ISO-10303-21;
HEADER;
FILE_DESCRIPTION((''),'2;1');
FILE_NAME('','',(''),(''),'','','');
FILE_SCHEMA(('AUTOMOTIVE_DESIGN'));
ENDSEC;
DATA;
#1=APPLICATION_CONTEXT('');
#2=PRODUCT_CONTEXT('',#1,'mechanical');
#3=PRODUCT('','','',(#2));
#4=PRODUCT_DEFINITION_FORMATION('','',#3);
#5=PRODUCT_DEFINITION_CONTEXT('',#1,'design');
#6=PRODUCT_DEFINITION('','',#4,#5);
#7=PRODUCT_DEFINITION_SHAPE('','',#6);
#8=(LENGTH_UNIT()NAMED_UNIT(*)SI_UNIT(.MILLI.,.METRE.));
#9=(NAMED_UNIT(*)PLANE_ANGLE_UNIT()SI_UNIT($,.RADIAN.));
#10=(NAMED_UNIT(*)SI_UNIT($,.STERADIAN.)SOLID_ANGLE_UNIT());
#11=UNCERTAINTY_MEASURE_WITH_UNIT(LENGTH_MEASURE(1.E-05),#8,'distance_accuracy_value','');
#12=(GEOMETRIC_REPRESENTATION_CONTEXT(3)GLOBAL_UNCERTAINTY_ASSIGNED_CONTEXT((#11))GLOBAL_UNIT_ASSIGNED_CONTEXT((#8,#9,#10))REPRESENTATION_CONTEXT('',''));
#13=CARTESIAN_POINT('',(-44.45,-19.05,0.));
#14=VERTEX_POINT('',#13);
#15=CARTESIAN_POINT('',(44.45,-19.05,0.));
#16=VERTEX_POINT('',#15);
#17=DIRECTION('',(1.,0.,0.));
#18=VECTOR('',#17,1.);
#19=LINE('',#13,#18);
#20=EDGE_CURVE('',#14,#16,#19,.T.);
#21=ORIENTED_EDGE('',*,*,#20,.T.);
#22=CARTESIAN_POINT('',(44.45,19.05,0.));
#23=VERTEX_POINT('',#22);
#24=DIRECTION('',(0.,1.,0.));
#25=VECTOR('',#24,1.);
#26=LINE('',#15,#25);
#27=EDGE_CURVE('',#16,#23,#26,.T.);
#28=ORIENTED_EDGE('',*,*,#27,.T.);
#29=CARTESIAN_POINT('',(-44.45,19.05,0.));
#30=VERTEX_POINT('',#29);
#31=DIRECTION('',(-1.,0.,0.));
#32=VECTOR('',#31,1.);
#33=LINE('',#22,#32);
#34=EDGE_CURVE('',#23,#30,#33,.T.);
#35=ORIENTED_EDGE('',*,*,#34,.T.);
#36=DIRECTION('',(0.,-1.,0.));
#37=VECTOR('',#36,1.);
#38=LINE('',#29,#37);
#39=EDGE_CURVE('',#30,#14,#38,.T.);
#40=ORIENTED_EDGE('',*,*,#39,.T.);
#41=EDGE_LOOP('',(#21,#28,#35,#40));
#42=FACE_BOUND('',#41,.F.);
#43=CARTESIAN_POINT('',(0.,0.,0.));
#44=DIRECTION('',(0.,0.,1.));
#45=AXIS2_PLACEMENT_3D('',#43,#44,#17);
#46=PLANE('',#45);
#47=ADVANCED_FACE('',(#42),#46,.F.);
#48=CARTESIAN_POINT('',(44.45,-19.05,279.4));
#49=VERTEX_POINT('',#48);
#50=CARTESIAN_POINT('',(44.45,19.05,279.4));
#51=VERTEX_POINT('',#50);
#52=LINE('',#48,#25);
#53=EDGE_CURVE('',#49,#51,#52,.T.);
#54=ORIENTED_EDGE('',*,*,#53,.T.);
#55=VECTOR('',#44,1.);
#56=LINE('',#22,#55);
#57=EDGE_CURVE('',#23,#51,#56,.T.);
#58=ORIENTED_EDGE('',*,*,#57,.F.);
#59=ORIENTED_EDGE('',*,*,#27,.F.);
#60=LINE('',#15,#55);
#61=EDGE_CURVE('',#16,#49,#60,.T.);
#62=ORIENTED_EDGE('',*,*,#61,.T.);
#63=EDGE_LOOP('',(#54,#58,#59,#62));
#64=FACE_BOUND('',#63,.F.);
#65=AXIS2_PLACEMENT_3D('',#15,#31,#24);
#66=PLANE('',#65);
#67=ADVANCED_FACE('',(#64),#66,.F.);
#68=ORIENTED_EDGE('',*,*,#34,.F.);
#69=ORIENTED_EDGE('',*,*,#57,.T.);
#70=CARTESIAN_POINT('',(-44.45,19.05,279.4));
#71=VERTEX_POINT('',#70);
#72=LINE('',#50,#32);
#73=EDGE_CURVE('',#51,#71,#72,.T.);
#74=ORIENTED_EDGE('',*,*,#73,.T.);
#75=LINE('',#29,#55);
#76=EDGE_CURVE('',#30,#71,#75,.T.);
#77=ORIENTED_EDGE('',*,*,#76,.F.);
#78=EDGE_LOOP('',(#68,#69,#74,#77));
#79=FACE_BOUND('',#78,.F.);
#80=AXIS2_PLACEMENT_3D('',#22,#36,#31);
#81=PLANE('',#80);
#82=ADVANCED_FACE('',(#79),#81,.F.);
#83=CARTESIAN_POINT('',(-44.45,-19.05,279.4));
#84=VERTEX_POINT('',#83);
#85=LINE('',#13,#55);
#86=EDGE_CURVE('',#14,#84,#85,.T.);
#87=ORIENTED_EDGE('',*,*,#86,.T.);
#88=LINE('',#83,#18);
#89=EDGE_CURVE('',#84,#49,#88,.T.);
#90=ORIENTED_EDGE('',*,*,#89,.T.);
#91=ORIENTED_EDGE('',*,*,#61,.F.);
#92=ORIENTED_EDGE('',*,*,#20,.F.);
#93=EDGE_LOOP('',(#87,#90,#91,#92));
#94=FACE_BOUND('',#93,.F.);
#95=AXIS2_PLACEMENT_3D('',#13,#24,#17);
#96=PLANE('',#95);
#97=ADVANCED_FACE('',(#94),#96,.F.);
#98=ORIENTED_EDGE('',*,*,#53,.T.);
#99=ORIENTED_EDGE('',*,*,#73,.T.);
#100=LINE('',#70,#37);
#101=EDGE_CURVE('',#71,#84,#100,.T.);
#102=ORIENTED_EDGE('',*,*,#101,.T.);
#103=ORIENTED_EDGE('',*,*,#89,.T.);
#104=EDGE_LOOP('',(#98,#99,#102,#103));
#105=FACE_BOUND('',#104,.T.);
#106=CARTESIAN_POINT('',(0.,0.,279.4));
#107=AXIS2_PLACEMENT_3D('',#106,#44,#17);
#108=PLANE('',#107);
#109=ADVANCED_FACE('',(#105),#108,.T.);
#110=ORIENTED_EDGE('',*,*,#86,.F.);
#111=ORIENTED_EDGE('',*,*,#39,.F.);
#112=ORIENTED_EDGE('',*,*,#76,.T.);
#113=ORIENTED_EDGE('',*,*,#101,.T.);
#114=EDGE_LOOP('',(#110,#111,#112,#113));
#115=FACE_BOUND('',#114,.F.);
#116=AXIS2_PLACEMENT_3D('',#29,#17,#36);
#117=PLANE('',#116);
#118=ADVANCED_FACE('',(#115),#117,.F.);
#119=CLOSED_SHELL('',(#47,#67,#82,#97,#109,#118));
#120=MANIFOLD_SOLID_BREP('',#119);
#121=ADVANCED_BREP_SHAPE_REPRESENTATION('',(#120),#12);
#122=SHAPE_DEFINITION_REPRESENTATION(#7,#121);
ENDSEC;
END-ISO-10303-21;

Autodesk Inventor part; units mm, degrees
ref_plane "YZ Plane" through (0, 0, 0) normal (1, 0, 0) x (0, 1, 0)
ref_plane "XZ Plane" through (0, 0, 0) normal (0, 1, 0) x (-1, 0, 0)
ref_plane "XY Plane" through (0, 0, 0) normal (0, 0, 1) x (1, 0, 0)
sketch "Sketch1" plane through (0, 0, 0) normal (0, 0, 1) x (1, 0, 0)
  line L0 (-44.45, -19.05) -> (44.45, -19.05)
  line L1 (44.45, -19.05) -> (44.45, 19.05)
  line L2 (44.45, 19.05) -> (-44.45, 19.05)
  line L3 (-44.45, 19.05) -> (-44.45, -19.05)
  line L4 (-44.45, -19.05) -> (44.45, 19.05) construction
  line L5 (44.45, -19.05) -> (-44.45, 19.05) construction
  point P0 (0, 0)
  dimension "d0" = 88.9
  dimension "d1" = 38.1
extrude "Extrusion1" add sketch "Sketch1" along normal blind 279.4
properties part number "2x4x11"
